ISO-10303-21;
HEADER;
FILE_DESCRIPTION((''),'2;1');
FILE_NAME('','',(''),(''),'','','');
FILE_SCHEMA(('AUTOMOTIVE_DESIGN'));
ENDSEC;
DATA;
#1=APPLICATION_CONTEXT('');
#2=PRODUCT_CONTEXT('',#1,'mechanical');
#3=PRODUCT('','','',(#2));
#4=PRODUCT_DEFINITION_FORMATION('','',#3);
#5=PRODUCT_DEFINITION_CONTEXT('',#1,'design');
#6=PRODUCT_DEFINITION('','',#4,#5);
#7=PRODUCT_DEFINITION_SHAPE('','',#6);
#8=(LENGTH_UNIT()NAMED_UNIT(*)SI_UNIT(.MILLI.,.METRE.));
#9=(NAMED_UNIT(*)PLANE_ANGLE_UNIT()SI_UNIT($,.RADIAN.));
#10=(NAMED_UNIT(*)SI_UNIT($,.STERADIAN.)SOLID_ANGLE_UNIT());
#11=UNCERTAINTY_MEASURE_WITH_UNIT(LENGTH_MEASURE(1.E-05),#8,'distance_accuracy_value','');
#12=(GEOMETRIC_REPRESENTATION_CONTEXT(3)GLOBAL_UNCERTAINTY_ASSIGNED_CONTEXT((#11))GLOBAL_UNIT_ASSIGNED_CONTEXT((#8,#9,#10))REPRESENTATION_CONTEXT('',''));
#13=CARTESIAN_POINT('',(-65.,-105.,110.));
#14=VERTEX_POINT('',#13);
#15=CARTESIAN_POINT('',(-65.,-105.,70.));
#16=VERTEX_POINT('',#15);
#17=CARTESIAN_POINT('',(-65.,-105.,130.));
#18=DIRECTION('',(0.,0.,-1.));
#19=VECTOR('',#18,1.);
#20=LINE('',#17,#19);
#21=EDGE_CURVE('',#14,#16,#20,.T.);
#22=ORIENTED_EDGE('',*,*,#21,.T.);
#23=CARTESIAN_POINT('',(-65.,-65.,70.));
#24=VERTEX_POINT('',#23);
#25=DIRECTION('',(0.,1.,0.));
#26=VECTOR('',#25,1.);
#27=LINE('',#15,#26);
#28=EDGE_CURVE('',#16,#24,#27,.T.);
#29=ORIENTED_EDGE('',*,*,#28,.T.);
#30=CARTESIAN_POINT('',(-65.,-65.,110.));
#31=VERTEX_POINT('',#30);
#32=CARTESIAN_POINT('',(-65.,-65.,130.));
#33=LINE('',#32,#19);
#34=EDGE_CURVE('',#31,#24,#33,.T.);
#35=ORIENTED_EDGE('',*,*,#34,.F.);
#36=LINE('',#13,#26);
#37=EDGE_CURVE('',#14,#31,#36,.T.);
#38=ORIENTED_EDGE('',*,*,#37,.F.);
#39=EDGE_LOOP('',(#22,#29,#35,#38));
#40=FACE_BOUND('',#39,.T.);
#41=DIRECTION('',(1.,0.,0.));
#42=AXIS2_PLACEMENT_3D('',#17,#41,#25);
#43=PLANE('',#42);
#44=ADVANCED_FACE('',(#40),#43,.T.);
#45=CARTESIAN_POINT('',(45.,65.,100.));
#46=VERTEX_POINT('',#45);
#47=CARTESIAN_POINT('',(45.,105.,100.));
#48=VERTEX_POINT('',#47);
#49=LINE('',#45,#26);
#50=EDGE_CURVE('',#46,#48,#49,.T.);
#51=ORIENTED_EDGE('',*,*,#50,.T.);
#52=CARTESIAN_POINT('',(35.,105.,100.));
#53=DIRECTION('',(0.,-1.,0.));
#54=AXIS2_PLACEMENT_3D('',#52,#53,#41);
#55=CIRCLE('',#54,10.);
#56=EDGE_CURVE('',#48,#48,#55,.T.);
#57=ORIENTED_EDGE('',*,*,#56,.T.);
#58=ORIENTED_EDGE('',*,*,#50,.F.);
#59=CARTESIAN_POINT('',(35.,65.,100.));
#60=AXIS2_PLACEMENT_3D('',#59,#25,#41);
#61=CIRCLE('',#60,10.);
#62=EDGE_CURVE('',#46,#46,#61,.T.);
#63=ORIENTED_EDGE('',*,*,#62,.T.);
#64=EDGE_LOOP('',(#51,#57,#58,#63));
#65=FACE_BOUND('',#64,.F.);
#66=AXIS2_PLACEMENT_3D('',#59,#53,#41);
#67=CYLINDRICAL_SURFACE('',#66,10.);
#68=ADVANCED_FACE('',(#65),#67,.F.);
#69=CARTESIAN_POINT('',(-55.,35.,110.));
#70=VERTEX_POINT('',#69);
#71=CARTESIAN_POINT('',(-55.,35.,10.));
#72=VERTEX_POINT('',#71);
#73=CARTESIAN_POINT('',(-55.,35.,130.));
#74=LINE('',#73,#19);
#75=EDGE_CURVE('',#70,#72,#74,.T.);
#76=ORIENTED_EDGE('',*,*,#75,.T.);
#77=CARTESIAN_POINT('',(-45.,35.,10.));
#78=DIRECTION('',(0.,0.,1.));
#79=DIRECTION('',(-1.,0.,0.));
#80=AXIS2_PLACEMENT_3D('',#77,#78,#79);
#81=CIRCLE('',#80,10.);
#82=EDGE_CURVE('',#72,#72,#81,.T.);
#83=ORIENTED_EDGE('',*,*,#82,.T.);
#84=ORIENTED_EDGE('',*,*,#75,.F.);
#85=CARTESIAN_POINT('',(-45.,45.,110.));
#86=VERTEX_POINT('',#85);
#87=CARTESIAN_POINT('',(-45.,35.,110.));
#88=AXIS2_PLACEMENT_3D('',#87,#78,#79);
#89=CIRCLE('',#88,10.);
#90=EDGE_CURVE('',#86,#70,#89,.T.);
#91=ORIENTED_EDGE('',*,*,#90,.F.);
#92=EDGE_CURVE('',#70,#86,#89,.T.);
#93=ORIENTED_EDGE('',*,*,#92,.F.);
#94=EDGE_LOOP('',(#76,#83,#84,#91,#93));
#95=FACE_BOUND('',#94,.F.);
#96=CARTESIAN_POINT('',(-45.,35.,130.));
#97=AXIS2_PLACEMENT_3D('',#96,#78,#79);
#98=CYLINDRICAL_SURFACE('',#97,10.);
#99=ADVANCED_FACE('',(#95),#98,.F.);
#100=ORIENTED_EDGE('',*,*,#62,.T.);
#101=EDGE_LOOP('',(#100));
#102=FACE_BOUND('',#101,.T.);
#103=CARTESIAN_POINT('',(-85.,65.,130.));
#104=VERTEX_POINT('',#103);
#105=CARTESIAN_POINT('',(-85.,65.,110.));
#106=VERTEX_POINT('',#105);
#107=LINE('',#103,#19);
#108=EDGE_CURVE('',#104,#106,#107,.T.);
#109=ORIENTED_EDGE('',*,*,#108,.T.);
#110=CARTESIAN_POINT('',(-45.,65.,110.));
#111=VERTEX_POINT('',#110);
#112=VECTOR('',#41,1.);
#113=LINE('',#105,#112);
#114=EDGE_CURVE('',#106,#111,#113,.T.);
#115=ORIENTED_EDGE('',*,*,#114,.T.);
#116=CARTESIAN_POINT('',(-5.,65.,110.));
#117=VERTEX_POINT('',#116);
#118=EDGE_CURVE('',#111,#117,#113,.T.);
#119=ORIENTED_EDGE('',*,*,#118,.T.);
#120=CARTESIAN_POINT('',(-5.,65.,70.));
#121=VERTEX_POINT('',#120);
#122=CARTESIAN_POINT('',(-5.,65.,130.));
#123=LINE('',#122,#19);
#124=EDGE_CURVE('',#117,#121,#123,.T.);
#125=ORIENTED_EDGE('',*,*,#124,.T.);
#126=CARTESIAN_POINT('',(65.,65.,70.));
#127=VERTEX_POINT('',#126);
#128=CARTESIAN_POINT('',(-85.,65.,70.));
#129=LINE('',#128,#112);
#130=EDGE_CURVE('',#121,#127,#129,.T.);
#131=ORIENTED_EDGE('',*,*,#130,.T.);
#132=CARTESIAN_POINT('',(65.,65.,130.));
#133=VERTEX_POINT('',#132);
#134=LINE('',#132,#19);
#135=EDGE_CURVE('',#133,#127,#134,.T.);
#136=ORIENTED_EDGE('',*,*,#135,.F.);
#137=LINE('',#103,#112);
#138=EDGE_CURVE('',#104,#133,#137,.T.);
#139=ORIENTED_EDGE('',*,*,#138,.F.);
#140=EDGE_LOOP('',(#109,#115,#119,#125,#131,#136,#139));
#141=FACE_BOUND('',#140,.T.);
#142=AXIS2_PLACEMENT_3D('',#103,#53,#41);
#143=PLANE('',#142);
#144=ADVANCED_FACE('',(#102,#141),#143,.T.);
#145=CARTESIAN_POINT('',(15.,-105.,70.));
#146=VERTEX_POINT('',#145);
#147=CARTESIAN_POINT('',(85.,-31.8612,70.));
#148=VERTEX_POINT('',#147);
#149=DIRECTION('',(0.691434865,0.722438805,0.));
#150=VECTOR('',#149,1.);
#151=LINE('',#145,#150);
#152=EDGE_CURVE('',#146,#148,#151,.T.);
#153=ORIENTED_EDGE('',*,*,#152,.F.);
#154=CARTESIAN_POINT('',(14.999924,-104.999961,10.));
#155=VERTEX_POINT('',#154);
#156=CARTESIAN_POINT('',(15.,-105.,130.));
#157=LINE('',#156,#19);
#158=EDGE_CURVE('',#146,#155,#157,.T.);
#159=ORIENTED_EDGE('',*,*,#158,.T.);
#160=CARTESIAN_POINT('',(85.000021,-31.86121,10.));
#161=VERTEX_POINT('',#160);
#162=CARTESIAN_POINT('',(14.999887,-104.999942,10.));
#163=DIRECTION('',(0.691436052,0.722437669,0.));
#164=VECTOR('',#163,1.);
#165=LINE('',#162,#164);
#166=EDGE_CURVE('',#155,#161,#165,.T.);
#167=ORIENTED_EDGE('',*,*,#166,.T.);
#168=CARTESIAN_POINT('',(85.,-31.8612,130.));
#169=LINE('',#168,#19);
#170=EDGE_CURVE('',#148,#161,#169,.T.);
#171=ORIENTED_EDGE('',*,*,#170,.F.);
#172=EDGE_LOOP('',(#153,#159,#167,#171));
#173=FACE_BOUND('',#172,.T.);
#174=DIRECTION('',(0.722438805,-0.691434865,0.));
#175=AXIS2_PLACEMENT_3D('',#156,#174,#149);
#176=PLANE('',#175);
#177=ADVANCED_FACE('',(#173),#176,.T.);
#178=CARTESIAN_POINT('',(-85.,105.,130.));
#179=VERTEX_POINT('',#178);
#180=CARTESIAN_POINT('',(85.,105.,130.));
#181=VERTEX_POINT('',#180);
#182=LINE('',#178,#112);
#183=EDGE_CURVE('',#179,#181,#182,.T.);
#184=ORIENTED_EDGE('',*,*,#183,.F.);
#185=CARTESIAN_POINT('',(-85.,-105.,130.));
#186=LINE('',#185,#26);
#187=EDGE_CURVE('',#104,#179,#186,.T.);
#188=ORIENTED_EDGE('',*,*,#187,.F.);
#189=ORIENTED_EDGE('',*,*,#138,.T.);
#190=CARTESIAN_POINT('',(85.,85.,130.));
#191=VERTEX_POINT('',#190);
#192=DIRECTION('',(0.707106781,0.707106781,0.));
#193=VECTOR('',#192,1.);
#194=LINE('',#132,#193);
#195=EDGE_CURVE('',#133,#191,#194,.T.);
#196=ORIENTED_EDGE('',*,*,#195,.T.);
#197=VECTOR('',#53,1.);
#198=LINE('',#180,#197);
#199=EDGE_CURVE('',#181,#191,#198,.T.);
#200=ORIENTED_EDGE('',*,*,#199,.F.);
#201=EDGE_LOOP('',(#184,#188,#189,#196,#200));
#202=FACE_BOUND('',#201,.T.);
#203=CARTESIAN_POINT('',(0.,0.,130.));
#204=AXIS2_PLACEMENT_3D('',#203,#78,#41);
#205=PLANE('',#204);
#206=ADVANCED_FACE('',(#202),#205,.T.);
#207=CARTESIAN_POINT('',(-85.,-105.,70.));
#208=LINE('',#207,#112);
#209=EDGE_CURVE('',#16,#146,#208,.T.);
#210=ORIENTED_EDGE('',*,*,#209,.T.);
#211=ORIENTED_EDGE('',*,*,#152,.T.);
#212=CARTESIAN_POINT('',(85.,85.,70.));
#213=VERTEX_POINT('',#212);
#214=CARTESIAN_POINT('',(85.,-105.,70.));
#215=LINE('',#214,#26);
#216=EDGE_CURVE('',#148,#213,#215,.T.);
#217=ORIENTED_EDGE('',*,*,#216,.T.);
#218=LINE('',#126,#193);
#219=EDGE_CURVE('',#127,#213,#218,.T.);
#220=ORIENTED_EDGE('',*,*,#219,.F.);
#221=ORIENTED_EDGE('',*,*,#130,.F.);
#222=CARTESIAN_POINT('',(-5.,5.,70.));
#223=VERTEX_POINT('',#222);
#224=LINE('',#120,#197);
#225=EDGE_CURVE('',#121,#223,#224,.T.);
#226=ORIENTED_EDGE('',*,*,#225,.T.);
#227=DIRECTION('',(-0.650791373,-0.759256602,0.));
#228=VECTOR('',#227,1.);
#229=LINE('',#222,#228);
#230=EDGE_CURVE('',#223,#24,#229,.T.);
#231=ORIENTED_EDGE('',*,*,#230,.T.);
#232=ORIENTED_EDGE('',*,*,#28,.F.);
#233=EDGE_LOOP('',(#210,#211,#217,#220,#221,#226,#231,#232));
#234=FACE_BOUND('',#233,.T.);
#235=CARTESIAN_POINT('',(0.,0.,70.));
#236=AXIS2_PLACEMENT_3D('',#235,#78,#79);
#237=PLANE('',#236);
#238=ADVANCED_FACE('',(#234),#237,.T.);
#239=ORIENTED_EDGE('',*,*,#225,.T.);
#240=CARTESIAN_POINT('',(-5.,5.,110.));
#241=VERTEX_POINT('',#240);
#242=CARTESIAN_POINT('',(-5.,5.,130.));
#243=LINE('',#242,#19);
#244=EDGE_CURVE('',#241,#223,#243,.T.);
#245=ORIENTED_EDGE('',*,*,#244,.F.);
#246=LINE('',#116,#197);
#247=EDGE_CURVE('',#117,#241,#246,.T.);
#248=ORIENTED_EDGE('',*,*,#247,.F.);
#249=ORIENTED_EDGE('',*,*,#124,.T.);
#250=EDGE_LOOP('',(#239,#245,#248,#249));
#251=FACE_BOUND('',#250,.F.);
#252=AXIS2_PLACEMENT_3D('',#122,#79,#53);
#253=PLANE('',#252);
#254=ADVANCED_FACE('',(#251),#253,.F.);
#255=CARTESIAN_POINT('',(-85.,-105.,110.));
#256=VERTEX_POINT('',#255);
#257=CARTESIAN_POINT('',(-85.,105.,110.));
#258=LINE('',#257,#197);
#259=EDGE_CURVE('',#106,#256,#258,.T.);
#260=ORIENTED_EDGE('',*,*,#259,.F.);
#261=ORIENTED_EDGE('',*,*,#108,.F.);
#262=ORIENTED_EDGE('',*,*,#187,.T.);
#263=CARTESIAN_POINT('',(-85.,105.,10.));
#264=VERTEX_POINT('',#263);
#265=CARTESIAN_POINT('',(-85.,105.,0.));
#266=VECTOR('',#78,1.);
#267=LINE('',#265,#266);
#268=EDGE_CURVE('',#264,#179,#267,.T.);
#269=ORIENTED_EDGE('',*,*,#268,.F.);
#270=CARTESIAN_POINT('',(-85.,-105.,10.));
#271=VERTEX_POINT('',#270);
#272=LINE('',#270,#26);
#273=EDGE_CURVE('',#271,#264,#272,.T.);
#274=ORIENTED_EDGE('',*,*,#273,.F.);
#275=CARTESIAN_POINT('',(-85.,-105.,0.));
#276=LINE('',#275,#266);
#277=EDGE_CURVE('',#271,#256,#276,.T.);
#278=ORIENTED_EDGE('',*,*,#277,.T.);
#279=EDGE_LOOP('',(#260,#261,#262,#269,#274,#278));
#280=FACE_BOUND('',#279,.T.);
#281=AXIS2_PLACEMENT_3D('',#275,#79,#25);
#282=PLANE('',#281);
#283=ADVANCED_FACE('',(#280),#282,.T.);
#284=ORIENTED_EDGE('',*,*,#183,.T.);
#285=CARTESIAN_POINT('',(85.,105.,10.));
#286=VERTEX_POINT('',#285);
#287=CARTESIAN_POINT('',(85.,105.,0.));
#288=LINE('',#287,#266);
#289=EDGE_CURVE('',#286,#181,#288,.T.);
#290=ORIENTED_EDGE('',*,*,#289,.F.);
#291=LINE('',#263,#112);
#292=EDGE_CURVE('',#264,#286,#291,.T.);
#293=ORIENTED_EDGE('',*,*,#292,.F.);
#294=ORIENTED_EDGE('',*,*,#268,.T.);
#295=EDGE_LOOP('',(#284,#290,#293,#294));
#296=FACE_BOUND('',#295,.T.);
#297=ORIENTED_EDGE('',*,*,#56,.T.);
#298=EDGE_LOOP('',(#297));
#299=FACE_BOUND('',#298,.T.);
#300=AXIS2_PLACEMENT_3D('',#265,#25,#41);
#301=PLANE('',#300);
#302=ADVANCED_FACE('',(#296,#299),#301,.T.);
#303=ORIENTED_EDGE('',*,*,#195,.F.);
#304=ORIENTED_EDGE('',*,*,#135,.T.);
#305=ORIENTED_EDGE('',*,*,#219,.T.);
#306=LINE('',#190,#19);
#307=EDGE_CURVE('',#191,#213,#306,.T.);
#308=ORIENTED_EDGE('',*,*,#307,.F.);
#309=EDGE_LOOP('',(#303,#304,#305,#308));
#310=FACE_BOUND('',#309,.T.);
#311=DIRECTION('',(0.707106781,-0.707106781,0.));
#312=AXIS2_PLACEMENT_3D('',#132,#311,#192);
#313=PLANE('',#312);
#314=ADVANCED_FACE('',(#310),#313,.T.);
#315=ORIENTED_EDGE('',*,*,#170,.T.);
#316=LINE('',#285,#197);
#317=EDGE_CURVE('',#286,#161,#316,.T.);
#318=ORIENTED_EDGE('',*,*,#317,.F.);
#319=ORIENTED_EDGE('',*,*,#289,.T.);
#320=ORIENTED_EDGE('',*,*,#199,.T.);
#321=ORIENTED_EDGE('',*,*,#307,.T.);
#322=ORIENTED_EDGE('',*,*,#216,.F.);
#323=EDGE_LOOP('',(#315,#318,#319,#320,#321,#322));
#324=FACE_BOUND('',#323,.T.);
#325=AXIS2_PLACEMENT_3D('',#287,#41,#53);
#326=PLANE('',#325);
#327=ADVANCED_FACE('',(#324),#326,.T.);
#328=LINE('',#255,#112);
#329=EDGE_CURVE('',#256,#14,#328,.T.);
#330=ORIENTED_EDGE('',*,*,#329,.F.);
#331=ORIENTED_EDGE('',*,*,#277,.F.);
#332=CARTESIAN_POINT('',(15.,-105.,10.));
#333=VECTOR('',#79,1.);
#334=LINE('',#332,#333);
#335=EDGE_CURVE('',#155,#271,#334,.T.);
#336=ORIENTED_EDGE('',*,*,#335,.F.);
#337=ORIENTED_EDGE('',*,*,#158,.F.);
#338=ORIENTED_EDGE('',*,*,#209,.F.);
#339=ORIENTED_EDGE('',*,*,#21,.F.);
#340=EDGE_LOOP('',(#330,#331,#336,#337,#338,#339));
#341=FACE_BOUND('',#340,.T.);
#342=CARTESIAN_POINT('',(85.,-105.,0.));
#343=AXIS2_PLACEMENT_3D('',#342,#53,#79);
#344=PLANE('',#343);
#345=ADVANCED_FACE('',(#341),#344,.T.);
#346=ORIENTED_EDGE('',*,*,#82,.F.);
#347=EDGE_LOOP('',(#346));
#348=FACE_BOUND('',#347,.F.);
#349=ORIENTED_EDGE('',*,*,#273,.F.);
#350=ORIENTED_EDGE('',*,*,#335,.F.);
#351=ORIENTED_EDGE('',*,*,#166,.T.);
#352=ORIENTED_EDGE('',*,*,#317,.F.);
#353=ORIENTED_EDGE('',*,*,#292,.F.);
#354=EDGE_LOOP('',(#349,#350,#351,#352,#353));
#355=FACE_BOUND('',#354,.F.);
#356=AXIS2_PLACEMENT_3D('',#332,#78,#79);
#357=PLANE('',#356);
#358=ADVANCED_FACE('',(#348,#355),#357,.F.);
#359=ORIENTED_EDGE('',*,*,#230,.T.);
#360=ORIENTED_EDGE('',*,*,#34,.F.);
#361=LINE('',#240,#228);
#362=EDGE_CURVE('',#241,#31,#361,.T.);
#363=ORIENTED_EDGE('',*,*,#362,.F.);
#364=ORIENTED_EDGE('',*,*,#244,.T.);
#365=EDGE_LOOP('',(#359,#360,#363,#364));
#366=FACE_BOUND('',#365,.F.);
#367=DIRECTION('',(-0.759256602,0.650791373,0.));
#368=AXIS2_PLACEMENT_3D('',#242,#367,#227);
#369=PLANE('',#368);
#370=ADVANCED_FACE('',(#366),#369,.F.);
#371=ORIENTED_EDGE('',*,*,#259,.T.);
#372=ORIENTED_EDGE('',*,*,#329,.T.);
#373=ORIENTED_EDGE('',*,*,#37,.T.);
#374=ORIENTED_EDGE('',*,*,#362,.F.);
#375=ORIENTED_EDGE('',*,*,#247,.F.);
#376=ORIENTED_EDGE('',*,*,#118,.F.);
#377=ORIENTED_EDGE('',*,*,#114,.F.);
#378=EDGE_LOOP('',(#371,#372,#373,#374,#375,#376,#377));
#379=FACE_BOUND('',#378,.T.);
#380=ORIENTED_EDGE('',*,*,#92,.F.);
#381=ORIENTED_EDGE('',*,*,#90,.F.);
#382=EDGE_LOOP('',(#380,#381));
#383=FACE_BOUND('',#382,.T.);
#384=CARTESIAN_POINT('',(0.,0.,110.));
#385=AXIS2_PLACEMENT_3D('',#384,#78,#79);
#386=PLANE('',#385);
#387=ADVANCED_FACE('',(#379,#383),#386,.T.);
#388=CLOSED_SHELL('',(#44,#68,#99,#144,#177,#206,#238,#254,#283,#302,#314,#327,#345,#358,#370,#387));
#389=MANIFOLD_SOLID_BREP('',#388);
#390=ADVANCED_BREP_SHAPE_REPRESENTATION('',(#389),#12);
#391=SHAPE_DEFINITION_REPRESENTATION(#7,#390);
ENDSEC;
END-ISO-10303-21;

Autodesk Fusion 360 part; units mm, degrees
sketch "Sketch1" plane through (0, 0, 0) normal (0, 0, 1) x (1, 0, 0)
  line L0 (79.2263, -110) -> (-80.7737, -110)
  line L1 (-80.7737, -110) -> (-80.7737, 110)
  line L2 (-80.7737, 110) -> (79.2263, 110)
  line L3 (79.2263, 110) -> (79.2263, -110)
  line L4 (79.2263, -110) -> (-80.7737, 110) construction
  line L5 (-80.7737, -110) -> (79.2263, 110) construction
  point P0 (-0.7737, 0)
  dimension "d1" = 160
  dimension "d2" = 220
sketch "Sketch2" plane through (0, 0, 130) normal (0, 0, 1) x (-1, 0, 0)
  line L0 (-79.2263, -110) -> (80.7737, -110)
  line L1 (80.7737, -110) -> (80.7737, 110)
  line L2 (80.7737, 110) -> (-79.2263, 110)
  line L3 (-79.2263, 110) -> (-79.2263, -110)
  line L4 (-20, 110) -> (-79.2263, 29.9287)
sketch "Sketch3" plane through (0, 0, 0) normal (0, 0, 1) x (1, 0, 0)
  line L0 (85, -105) -> (-85, -105)
  line L1 (-85, -105) -> (-85, 105)
  line L2 (-85, 105) -> (85, 105)
  line L3 (85, 105) -> (85, -105)
  line L4 (85, -105) -> (-85, 105) construction
  line L5 (-85, -105) -> (85, 105) construction
  dimension "d7" = 170
  dimension "d8" = 210
extrude "Extrude3" add sketch "Sketch3" along normal blind 130
sketch "Sketch4" plane through (0, 0, 130) normal (0, 0, 1) x (-1, 0, 0)
  line L0 (-85, -105) -> (85, -105)
  line L1 (85, -105) -> (85, 105)
  line L2 (85, 105) -> (-85, 105)
  line L3 (-85, 105) -> (-85, -105)
  line L4 (-85, 105) -> (-15, 105)
  line L5 (-85, 101.8612) -> (-85, 31.8612)
  line L6 (-15, 105) -> (-85, 31.8612)
  line L7 (85, 105) -> (65, 105)
  line L8 (65, 105) -> (65, 65)
  line L9 (85, -105) -> (85, -65)
  line L10 (85, -65) -> (-65, -65)
  line L11 (-85, -105) -> (-85, -85)
  line L12 (-65, -65) -> (-85, -85)
  line L13 (85, -65) -> (5, -65)
  line L14 (5, -65) -> (5, -5)
  line L15 (5, -5) -> (65, 65)
  line L16 (85, -65) -> (45, -65)
  line L17 (45, -65) -> (45, -35)
  circle A0 centre (45, -35) radius 10
  dimension "d11" = 70
  dimension "d12" = 70
  dimension "d15" = 20
  dimension "d16" = 40
  dimension "d17" = 40
  dimension "d18" = 150
  dimension "d19" = 20
  dimension "d20" = 80
  dimension "d21" = 60
  dimension "d26" = 40
  dimension "d27" = 30
  dimension "d28" = 20
extrude "Extrude4" cut sketch "Sketch4" against normal blind 130 contours L2 L3 L4 L5 L6
extrude "Extrude5" cut sketch "Sketch4" against normal blind 60 contours L2 L3 L6 L8 L10 L12 L14 L15
extrude "Extrude6" cut sketch "Sketch4" against normal blind 20 contours A0 | L1 L2 L7 L8 L10 L13 L14 L15 L16
extrude "Extrude7" cut sketch "Sketch4" against normal blind 130 contours A0
sketch "Sketch5" plane through (0, 65, 0) normal (0, -1, 0) x (1, 0, 0)
  line L0 (65, 130) -> (-85, 130)
  line L1 (-85, 130) -> (-85, 110)
  line L2 (-85, 110) -> (-5, 110)
  line L3 (-5, 110) -> (-5, 70)
  line L4 (-5, 70) -> (65, 70)
  line L5 (65, 70) -> (65, 130)
  line L6 (65, 130) -> (35, 130)
  line L7 (35, 130) -> (35, 100)
  circle A0 centre (35, 100) radius 10
  dimension "d31" = 30
  dimension "d32" = 30
  dimension "d33" = 20
extrude "Extrude8" cut sketch "Sketch5" against normal blind 40 contours A0
sketch "Sketch6" plane through (85, 0, 0) normal (1, 0, 0) x (0, 1, 0)
  line L0 (85, 130) -> (85, 70)
  line L1 (85, 70) -> (-31.8612, 70)
  line L2 (-31.8612, 70) -> (-31.8612, 0)
  line L3 (-31.8612, 0) -> (105, 0)
  line L4 (105, 0) -> (105, 130)
  line L5 (105, 130) -> (85, 130)
  line L6 (105, 0) -> (105, 10)
  line L7 (105, 10) -> (-105.2237, 10)
  dimension "d36" = 10
extrude "Extrude9" cut sketch "Sketch6" against normal blind 300 contours L2 L3 L4 L6 L7
sketch "Sketch7" plane through (60.2783, -57.6914, 0) normal (0.7224, -0.6914, 0) x (0.6914, 0.7224, 0)
  line L0 (35.7542, 70) -> (-65.4846, 70)
  line L1 (-65.4846, 70) -> (-65.4846, 0)
  line L2 (-65.4846, 0) -> (35.7542, 0)
  line L3 (35.7542, 0) -> (35.7542, 10)
  line L4 (35.7542, 10) -> (35.7542, 70)
  line L5 (-65.4846, 0) -> (-65.4846, 10)
  line L6 (-65.4846, 10) -> (35.7542, 10)
  dimension "d39" = 10
extrude "Extrude10" cut sketch "Sketch7" against normal blind 399 contours L1 L2 L3 L5 L6
sketch "Sketch8" plane through (0, -105, 0) normal (0, -1, 0) x (1, 0, 0)
  line L0 (-65, 110) -> (-85, 110)
  line L1 (-85, 110) -> (-85, 0)
  line L2 (-85, 0) -> (15, 0)
  line L3 (15, 0) -> (15, 10)
  line L4 (15, 10) -> (15, 70)
  line L5 (15, 70) -> (-65, 70)
  line L6 (-65, 70) -> (-65, 110)
  line L7 (15, 10) -> (-85, 10)
extrude "Extrude11" cut sketch "Sketch8" against normal blind 300 contours L1 L2 L3 L7
